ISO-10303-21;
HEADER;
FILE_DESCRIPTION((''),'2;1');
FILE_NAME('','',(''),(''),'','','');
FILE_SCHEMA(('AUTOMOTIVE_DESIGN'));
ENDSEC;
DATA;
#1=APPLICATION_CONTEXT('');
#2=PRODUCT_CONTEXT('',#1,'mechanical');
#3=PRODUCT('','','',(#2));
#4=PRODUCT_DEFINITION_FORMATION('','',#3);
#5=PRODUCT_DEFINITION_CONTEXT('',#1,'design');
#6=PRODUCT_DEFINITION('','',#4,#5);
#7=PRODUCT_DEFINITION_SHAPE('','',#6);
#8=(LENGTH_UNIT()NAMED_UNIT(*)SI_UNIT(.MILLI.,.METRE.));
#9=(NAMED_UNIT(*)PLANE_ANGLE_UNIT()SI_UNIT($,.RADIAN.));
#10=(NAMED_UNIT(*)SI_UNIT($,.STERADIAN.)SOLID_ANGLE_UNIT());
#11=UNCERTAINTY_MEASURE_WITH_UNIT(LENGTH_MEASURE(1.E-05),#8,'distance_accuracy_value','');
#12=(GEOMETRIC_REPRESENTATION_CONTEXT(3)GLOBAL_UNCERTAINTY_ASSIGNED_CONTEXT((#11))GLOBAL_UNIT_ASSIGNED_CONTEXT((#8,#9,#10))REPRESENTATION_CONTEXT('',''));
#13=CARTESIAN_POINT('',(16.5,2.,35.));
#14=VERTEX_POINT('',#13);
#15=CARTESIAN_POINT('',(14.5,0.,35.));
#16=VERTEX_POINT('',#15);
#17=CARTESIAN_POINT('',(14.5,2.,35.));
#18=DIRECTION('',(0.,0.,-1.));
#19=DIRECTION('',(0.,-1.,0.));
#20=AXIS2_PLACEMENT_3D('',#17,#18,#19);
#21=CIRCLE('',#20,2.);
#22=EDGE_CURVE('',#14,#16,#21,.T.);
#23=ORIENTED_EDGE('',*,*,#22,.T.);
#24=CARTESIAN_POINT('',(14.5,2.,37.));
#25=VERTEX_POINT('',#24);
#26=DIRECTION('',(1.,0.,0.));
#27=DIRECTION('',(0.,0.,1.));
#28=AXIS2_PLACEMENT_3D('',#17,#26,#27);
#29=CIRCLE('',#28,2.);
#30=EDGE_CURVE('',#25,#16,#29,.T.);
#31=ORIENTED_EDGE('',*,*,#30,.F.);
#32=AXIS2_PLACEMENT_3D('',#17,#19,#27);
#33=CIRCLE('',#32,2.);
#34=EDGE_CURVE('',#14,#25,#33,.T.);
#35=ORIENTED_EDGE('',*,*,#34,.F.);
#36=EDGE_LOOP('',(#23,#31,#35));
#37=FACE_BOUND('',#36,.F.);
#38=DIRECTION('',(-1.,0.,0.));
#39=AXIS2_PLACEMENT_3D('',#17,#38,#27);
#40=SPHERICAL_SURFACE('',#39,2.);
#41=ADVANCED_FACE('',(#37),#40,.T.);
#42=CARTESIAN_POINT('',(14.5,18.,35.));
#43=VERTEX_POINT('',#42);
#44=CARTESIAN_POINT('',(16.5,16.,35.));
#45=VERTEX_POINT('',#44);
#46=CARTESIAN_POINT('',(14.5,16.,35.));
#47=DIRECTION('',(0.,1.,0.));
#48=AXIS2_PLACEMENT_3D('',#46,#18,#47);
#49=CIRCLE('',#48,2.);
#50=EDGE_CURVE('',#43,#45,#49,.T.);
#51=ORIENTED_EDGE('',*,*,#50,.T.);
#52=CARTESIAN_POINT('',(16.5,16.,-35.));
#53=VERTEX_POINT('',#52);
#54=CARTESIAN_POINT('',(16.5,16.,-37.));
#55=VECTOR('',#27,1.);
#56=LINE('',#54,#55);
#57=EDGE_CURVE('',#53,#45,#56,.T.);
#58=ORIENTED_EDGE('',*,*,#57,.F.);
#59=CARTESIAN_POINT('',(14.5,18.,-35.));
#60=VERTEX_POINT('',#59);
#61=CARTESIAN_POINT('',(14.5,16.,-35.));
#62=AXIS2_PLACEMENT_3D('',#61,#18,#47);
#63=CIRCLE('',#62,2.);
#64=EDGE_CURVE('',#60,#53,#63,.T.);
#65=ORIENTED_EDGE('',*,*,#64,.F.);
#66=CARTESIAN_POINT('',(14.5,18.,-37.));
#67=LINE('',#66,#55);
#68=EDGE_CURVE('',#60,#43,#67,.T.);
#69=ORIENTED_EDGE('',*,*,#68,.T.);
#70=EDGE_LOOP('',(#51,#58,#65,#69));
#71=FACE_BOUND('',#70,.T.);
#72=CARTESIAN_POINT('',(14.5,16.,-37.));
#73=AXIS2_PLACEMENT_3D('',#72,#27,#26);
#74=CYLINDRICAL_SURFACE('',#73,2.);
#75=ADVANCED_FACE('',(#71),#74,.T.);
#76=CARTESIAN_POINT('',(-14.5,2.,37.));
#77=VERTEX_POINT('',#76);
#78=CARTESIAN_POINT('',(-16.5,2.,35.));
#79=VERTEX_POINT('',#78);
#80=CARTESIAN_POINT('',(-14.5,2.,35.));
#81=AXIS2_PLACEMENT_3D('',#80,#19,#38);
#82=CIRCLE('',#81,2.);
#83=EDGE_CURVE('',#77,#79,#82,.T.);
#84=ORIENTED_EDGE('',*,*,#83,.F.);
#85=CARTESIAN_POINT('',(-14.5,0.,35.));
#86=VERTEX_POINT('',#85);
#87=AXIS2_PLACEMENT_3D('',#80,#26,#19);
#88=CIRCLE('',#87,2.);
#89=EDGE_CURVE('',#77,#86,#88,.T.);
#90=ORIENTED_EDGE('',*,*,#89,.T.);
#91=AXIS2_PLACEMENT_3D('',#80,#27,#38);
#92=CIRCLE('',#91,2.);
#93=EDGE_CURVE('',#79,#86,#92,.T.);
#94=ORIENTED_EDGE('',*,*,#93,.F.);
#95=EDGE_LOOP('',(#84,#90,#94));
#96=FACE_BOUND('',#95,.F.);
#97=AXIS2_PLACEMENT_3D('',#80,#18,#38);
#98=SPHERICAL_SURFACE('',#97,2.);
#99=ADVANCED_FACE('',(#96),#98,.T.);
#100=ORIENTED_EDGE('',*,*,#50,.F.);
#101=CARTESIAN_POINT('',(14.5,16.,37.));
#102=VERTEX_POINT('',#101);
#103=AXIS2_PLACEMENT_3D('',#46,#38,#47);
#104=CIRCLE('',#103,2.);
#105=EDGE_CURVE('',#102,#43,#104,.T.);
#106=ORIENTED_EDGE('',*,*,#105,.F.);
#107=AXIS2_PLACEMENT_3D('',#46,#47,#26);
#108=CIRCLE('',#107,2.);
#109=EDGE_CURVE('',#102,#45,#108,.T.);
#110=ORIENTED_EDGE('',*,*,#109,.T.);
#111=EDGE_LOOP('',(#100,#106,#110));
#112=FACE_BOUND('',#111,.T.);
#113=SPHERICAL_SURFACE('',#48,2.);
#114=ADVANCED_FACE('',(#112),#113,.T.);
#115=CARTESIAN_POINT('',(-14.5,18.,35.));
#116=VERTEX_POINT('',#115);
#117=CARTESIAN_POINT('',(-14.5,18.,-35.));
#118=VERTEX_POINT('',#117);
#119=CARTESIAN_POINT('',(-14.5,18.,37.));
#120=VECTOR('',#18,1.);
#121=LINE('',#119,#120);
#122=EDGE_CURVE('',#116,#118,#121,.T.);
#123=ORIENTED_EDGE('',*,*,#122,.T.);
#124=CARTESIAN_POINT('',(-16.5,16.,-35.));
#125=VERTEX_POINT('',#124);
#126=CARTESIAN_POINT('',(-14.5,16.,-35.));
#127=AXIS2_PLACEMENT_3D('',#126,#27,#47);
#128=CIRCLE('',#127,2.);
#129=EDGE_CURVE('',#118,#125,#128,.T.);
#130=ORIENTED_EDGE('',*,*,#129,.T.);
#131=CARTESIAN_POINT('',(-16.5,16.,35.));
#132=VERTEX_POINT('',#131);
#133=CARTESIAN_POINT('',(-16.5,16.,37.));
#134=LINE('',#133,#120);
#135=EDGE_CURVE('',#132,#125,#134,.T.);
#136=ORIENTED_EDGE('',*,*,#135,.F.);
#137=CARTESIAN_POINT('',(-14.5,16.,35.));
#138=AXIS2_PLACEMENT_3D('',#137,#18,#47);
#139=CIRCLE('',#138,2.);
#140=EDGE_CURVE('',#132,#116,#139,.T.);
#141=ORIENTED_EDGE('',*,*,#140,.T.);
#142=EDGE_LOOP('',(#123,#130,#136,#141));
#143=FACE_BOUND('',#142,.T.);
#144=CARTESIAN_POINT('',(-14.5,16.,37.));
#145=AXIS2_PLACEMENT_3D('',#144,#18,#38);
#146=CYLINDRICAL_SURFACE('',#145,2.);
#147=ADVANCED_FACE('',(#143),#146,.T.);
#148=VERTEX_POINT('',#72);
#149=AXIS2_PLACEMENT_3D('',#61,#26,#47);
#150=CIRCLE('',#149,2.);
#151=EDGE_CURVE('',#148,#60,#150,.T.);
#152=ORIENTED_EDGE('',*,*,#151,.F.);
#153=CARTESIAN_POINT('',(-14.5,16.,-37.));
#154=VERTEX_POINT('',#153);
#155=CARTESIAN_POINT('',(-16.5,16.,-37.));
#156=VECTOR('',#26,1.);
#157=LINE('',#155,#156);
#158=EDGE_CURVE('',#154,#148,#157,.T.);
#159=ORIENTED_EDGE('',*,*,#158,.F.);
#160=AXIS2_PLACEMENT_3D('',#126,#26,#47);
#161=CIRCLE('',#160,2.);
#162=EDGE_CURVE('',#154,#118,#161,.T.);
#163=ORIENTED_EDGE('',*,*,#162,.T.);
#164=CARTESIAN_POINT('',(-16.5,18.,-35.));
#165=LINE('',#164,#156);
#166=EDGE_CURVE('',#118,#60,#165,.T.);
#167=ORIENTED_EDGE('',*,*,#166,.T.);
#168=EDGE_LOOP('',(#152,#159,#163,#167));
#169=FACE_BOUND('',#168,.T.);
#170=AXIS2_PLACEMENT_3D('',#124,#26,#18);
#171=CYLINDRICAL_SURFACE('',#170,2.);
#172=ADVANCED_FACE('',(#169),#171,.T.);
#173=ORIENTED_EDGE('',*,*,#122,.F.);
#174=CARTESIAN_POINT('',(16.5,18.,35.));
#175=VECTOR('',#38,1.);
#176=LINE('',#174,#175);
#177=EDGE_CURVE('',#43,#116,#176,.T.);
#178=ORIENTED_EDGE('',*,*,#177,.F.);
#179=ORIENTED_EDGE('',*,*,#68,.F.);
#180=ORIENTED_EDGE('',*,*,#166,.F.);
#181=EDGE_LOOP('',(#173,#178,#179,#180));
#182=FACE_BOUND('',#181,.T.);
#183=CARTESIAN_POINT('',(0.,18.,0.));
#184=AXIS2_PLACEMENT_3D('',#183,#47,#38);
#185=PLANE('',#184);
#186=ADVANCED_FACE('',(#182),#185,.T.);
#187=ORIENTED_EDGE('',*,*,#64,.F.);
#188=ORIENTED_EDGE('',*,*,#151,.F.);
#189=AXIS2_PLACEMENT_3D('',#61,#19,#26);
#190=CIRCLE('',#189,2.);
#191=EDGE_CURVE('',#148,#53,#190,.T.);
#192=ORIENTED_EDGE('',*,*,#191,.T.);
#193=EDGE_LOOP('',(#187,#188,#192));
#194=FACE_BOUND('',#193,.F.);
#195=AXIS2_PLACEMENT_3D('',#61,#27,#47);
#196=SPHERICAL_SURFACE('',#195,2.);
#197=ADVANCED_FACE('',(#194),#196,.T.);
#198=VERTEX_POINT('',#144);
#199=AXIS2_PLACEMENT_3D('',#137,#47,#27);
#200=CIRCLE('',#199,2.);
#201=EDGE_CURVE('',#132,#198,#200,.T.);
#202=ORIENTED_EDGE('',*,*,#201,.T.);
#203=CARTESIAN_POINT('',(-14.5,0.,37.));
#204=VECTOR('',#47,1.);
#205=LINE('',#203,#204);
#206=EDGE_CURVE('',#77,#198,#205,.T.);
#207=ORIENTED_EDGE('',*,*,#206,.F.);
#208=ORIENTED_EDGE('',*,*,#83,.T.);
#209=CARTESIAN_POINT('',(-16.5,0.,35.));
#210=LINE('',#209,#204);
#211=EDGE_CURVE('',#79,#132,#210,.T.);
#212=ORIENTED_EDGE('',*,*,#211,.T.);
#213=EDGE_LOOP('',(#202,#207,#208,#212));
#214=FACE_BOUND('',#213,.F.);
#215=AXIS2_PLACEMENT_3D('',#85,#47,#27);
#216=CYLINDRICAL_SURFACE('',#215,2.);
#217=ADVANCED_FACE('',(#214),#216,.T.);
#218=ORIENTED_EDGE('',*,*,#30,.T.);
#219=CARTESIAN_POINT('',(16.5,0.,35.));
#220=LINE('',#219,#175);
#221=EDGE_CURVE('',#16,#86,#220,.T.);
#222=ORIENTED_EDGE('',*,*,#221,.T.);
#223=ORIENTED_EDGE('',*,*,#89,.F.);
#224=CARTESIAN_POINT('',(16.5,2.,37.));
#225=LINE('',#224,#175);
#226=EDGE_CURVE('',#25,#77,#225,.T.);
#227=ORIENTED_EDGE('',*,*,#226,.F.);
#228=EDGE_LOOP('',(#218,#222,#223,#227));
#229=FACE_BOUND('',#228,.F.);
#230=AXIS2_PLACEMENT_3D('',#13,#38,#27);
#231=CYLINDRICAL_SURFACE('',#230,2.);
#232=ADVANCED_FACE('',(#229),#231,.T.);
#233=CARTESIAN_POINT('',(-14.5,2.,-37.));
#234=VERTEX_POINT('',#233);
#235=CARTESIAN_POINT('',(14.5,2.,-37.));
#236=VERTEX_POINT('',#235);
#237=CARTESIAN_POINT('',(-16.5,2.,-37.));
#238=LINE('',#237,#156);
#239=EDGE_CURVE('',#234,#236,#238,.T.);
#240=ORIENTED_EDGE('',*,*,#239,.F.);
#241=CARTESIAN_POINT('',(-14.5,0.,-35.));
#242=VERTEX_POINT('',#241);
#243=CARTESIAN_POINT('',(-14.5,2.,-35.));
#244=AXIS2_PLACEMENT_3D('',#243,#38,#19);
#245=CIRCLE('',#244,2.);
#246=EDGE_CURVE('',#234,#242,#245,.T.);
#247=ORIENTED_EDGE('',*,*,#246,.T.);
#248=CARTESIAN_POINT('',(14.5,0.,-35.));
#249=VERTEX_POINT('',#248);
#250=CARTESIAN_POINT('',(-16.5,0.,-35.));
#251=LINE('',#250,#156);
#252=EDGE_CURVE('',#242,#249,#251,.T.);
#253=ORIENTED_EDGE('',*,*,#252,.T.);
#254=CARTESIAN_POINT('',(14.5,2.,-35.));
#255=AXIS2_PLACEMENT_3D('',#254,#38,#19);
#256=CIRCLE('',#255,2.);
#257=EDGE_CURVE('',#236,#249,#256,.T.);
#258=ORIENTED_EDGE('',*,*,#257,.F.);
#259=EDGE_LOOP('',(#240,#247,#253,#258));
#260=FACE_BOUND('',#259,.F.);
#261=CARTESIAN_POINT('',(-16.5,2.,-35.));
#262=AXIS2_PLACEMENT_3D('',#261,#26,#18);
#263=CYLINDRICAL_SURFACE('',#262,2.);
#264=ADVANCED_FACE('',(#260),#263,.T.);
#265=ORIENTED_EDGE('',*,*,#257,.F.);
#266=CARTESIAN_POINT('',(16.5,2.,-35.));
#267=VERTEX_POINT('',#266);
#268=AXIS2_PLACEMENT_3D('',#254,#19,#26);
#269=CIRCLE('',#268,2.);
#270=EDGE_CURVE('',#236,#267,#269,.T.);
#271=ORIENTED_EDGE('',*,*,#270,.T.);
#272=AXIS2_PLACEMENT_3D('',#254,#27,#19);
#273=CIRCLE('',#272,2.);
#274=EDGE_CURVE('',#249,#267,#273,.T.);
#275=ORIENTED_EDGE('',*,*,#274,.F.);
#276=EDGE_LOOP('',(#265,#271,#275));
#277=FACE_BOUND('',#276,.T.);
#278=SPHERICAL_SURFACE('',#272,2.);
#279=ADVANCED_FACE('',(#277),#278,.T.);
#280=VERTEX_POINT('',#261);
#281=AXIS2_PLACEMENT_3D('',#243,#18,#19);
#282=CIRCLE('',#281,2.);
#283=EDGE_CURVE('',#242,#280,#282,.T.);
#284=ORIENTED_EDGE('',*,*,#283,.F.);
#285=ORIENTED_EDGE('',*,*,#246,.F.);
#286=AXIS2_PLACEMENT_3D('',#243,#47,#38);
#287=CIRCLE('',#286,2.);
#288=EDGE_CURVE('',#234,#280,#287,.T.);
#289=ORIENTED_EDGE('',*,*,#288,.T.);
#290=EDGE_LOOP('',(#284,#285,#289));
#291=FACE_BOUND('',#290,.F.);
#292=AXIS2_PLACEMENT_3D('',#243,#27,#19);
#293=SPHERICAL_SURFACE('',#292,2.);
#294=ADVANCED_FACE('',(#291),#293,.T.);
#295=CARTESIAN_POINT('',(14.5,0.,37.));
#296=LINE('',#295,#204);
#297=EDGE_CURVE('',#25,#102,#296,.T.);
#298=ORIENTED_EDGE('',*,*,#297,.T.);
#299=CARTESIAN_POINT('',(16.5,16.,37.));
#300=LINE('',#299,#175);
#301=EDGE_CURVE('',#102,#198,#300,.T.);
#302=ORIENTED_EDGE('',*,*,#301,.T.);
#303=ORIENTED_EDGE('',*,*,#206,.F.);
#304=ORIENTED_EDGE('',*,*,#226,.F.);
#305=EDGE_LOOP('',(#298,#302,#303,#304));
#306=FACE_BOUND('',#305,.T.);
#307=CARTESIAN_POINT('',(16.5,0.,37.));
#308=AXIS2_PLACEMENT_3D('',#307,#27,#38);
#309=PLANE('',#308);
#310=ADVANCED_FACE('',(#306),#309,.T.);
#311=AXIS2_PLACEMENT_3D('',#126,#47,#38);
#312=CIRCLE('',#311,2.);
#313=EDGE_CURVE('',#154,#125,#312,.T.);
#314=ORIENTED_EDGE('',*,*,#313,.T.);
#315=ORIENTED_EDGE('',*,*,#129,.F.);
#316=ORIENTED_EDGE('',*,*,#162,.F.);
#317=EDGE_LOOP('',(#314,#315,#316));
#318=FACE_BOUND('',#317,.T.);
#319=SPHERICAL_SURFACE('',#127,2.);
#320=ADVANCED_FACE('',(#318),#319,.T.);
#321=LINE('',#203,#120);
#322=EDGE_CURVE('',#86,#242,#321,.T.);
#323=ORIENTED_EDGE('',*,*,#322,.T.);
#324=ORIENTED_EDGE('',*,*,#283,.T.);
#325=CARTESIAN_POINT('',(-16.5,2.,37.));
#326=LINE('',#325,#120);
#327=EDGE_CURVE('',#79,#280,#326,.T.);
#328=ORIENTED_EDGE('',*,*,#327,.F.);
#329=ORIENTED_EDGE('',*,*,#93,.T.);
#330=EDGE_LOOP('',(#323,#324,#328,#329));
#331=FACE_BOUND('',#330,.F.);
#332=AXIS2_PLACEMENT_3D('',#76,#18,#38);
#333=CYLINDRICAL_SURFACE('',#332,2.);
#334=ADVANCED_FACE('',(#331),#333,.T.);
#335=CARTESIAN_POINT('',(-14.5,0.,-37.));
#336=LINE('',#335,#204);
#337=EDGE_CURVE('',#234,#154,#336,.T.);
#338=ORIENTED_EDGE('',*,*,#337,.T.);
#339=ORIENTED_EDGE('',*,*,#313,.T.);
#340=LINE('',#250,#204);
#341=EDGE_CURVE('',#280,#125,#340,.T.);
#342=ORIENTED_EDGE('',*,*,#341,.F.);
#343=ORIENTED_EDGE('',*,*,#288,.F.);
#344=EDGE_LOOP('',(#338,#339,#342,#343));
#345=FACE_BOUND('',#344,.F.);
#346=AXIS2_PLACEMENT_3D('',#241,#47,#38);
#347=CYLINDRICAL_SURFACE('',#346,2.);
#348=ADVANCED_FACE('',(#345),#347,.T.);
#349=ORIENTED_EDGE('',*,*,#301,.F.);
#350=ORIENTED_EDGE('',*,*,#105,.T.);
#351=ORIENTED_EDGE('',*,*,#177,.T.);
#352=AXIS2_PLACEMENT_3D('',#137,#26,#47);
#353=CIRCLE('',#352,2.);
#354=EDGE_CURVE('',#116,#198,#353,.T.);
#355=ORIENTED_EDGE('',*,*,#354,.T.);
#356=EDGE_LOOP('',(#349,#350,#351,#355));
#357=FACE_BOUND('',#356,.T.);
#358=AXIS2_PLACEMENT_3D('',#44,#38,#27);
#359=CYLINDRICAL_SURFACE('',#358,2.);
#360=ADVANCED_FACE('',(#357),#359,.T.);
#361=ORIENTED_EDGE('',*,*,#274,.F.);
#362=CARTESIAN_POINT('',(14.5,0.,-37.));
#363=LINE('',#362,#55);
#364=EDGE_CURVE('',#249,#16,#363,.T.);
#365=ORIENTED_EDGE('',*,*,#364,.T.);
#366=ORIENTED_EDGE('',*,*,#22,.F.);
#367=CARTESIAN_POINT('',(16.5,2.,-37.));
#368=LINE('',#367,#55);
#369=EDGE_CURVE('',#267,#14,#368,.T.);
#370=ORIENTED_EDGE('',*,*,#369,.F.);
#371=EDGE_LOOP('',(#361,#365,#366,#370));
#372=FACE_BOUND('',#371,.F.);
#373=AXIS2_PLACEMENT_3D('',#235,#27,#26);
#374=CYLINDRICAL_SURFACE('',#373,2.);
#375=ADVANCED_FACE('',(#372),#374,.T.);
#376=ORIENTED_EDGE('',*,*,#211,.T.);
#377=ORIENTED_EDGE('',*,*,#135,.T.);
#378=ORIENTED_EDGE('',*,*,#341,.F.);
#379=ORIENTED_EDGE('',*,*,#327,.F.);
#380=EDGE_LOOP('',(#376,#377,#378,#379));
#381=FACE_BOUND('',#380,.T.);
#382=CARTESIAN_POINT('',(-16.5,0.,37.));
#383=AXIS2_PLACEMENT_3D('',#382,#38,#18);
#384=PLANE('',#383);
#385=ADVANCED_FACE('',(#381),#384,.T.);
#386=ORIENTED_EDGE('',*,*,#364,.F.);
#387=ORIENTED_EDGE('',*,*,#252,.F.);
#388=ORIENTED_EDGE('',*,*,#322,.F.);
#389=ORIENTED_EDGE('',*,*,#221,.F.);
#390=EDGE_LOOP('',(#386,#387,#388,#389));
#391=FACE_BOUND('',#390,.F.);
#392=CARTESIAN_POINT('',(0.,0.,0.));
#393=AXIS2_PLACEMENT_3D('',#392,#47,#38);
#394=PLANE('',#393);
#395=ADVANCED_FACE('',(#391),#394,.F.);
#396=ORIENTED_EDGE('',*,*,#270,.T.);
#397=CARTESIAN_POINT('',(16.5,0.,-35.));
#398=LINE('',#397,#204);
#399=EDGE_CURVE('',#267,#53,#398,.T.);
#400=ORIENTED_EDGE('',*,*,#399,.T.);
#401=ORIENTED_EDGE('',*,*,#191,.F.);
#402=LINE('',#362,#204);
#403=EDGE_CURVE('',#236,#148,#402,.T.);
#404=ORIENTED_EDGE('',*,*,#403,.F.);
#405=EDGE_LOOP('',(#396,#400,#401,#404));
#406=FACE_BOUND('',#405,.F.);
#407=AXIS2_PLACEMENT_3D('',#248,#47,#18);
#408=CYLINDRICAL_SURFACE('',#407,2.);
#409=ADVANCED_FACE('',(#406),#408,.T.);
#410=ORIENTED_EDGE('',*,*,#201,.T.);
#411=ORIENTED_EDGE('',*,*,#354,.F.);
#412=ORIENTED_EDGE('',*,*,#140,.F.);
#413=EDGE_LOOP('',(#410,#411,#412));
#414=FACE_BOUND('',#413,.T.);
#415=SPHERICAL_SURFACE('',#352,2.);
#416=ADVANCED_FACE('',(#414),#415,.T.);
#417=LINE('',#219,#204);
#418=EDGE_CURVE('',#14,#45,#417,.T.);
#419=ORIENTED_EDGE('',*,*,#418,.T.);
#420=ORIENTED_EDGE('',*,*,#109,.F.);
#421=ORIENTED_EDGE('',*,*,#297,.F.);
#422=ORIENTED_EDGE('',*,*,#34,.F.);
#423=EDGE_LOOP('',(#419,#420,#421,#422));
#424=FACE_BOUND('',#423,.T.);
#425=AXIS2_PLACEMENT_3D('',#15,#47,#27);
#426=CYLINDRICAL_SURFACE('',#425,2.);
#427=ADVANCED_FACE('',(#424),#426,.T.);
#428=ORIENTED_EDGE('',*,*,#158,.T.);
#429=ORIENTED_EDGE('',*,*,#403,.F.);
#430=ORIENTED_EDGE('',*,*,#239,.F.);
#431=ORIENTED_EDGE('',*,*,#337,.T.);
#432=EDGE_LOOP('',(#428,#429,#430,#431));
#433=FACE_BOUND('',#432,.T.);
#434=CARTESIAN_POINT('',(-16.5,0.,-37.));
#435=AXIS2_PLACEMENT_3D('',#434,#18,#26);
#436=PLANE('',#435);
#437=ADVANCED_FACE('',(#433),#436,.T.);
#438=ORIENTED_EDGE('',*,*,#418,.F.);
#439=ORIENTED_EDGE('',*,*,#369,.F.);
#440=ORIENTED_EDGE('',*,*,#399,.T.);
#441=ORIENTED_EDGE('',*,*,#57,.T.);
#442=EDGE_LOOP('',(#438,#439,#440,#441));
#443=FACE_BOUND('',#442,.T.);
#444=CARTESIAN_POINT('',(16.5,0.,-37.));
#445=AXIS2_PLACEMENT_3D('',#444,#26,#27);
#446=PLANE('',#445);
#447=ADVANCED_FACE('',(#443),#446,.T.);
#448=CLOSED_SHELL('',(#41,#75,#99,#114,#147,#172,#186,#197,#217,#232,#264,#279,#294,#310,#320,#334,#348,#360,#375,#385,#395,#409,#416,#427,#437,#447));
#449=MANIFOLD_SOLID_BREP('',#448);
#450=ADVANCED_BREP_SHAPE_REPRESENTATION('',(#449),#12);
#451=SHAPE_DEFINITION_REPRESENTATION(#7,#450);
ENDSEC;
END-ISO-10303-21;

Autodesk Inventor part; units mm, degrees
ref_plane "YZ Plane" through (0, 0, 0) normal (1, 0, 0) x (0, 1, 0)
ref_plane "XZ Plane" through (0, 0, 0) normal (0, 1, 0) x (-1, 0, 0)
ref_plane "XY Plane" through (0, 0, 0) normal (0, 0, 1) x (1, 0, 0)
sketch "Esboço1" plane through (0, 0, 0) normal (0, 1, 0) x (-1, 0, 0)
  line L0 (-16.5, 37) -> (16.5, 37)
  line L1 (16.5, 37) -> (16.5, -37)
  line L2 (16.5, -37) -> (-16.5, -37)
  line L3 (-16.5, -37) -> (-16.5, 37)
  line L4 (-16.5, 37) -> (16.5, -37) construction
  line L5 (16.5, 37) -> (-16.5, -37) construction
  point P0 (0, 0)
  dimension "d0" = 33
  dimension "d1" = 74
extrude "Extrusão1" add sketch "Esboço1" along normal blind 18
fillet "Arredondamento1" radius 2 12 edges at (16.5, 18, 0) (0, 18, 37) (-16.5, 18, 0) (0, 18, -37) (-16.5, 0, 0) (-16.5, 9, 37) (0, 0, 37) (16.5, 9, 37) (16.5, 0, 0) (0, 0, -37) (16.5, 9, -37) (-16.5, 9, -37)
properties part number "Bateria_2"
